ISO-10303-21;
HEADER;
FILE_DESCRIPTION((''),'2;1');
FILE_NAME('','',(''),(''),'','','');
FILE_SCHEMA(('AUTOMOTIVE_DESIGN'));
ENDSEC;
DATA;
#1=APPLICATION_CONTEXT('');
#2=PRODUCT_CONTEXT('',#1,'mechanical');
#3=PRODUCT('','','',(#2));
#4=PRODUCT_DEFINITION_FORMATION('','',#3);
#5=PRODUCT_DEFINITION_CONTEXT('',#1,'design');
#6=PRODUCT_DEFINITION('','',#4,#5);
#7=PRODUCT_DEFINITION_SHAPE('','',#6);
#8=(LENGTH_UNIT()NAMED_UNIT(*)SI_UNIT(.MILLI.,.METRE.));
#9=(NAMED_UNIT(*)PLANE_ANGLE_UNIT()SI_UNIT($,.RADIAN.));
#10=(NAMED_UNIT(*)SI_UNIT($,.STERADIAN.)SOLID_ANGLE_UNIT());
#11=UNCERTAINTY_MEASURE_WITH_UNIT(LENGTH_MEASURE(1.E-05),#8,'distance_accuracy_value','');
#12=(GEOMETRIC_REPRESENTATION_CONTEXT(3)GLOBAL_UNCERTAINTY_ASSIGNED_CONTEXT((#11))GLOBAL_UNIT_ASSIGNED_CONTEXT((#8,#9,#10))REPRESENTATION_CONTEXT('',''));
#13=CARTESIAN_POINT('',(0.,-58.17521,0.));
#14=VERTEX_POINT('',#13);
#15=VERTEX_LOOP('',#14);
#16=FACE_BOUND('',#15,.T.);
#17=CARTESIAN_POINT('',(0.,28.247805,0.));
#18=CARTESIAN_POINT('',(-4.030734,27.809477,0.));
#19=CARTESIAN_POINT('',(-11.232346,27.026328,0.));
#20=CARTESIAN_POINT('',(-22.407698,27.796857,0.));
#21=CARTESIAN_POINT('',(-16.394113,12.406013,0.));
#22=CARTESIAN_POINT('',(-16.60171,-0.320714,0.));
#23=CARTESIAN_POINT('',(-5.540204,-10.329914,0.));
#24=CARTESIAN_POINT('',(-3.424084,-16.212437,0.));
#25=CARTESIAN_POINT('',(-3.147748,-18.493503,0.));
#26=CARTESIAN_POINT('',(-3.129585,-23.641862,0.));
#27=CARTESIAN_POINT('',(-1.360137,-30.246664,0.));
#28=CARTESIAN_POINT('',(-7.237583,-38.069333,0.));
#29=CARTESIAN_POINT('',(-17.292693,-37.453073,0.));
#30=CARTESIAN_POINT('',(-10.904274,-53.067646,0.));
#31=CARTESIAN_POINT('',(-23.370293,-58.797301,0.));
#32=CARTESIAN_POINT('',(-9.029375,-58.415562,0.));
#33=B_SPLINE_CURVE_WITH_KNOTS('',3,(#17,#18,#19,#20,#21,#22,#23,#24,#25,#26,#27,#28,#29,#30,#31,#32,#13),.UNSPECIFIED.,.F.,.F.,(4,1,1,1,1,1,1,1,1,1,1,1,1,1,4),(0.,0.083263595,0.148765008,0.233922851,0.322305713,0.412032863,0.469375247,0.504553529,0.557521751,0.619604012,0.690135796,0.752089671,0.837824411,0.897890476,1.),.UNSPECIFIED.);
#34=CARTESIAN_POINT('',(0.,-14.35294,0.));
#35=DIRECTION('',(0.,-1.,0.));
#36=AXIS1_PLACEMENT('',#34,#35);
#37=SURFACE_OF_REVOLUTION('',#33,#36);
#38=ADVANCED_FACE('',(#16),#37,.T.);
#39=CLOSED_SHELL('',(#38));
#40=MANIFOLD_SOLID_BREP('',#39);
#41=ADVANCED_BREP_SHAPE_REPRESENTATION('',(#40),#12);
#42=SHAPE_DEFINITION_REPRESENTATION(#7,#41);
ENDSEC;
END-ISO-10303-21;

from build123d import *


with BuildPart() as f1:
    # F0 (on Top) → F1 (revolve)
    with BuildSketch(Plane.XY):
        with BuildLine():
            Line((0, 0), (0, 28.2478052992))
            add(Edge.make_bspline(
                [(0, 28.2478052992), (-4.0307338138, 27.8094774682), (-11.2323463289, 27.0263279734), (-22.4076984362, 27.7968569507), (-16.3941126955, 12.406013234), (-16.6017100401, -0.3207139369), (-5.5402042937, -10.329914044), (-3.4240836772, -16.2124372196), (-3.1477479788, -18.4935031316), (-3.1295848113, -23.64186159), (-1.3601373074, -30.2466637864), (-7.2375828913, -38.0693334176), (-17.2926928932, -37.4530726731), (-10.9042739511, -53.0676461255), (-23.3702930726, -58.7973008089), (-9.0293754818, -58.4155617267), (0, -58.1752099129)],
                knots=[0, 0, 0, 0, 0.0832635953, 0.1487650083, 0.2339228513, 0.322305713, 0.4120328627, 0.4693752466, 0.5045535285, 0.5575217506, 0.6196040117, 0.6901357956, 0.7520896713, 0.8378244111, 0.897890476, 1, 1, 1, 1], degree=3))
            Line((0, -58.1752099129), (0, 0))
        make_face()
    revolve(axis=Axis((0, -14.3529400229, 0), (0, -1, 0)))


solid = f1.part
